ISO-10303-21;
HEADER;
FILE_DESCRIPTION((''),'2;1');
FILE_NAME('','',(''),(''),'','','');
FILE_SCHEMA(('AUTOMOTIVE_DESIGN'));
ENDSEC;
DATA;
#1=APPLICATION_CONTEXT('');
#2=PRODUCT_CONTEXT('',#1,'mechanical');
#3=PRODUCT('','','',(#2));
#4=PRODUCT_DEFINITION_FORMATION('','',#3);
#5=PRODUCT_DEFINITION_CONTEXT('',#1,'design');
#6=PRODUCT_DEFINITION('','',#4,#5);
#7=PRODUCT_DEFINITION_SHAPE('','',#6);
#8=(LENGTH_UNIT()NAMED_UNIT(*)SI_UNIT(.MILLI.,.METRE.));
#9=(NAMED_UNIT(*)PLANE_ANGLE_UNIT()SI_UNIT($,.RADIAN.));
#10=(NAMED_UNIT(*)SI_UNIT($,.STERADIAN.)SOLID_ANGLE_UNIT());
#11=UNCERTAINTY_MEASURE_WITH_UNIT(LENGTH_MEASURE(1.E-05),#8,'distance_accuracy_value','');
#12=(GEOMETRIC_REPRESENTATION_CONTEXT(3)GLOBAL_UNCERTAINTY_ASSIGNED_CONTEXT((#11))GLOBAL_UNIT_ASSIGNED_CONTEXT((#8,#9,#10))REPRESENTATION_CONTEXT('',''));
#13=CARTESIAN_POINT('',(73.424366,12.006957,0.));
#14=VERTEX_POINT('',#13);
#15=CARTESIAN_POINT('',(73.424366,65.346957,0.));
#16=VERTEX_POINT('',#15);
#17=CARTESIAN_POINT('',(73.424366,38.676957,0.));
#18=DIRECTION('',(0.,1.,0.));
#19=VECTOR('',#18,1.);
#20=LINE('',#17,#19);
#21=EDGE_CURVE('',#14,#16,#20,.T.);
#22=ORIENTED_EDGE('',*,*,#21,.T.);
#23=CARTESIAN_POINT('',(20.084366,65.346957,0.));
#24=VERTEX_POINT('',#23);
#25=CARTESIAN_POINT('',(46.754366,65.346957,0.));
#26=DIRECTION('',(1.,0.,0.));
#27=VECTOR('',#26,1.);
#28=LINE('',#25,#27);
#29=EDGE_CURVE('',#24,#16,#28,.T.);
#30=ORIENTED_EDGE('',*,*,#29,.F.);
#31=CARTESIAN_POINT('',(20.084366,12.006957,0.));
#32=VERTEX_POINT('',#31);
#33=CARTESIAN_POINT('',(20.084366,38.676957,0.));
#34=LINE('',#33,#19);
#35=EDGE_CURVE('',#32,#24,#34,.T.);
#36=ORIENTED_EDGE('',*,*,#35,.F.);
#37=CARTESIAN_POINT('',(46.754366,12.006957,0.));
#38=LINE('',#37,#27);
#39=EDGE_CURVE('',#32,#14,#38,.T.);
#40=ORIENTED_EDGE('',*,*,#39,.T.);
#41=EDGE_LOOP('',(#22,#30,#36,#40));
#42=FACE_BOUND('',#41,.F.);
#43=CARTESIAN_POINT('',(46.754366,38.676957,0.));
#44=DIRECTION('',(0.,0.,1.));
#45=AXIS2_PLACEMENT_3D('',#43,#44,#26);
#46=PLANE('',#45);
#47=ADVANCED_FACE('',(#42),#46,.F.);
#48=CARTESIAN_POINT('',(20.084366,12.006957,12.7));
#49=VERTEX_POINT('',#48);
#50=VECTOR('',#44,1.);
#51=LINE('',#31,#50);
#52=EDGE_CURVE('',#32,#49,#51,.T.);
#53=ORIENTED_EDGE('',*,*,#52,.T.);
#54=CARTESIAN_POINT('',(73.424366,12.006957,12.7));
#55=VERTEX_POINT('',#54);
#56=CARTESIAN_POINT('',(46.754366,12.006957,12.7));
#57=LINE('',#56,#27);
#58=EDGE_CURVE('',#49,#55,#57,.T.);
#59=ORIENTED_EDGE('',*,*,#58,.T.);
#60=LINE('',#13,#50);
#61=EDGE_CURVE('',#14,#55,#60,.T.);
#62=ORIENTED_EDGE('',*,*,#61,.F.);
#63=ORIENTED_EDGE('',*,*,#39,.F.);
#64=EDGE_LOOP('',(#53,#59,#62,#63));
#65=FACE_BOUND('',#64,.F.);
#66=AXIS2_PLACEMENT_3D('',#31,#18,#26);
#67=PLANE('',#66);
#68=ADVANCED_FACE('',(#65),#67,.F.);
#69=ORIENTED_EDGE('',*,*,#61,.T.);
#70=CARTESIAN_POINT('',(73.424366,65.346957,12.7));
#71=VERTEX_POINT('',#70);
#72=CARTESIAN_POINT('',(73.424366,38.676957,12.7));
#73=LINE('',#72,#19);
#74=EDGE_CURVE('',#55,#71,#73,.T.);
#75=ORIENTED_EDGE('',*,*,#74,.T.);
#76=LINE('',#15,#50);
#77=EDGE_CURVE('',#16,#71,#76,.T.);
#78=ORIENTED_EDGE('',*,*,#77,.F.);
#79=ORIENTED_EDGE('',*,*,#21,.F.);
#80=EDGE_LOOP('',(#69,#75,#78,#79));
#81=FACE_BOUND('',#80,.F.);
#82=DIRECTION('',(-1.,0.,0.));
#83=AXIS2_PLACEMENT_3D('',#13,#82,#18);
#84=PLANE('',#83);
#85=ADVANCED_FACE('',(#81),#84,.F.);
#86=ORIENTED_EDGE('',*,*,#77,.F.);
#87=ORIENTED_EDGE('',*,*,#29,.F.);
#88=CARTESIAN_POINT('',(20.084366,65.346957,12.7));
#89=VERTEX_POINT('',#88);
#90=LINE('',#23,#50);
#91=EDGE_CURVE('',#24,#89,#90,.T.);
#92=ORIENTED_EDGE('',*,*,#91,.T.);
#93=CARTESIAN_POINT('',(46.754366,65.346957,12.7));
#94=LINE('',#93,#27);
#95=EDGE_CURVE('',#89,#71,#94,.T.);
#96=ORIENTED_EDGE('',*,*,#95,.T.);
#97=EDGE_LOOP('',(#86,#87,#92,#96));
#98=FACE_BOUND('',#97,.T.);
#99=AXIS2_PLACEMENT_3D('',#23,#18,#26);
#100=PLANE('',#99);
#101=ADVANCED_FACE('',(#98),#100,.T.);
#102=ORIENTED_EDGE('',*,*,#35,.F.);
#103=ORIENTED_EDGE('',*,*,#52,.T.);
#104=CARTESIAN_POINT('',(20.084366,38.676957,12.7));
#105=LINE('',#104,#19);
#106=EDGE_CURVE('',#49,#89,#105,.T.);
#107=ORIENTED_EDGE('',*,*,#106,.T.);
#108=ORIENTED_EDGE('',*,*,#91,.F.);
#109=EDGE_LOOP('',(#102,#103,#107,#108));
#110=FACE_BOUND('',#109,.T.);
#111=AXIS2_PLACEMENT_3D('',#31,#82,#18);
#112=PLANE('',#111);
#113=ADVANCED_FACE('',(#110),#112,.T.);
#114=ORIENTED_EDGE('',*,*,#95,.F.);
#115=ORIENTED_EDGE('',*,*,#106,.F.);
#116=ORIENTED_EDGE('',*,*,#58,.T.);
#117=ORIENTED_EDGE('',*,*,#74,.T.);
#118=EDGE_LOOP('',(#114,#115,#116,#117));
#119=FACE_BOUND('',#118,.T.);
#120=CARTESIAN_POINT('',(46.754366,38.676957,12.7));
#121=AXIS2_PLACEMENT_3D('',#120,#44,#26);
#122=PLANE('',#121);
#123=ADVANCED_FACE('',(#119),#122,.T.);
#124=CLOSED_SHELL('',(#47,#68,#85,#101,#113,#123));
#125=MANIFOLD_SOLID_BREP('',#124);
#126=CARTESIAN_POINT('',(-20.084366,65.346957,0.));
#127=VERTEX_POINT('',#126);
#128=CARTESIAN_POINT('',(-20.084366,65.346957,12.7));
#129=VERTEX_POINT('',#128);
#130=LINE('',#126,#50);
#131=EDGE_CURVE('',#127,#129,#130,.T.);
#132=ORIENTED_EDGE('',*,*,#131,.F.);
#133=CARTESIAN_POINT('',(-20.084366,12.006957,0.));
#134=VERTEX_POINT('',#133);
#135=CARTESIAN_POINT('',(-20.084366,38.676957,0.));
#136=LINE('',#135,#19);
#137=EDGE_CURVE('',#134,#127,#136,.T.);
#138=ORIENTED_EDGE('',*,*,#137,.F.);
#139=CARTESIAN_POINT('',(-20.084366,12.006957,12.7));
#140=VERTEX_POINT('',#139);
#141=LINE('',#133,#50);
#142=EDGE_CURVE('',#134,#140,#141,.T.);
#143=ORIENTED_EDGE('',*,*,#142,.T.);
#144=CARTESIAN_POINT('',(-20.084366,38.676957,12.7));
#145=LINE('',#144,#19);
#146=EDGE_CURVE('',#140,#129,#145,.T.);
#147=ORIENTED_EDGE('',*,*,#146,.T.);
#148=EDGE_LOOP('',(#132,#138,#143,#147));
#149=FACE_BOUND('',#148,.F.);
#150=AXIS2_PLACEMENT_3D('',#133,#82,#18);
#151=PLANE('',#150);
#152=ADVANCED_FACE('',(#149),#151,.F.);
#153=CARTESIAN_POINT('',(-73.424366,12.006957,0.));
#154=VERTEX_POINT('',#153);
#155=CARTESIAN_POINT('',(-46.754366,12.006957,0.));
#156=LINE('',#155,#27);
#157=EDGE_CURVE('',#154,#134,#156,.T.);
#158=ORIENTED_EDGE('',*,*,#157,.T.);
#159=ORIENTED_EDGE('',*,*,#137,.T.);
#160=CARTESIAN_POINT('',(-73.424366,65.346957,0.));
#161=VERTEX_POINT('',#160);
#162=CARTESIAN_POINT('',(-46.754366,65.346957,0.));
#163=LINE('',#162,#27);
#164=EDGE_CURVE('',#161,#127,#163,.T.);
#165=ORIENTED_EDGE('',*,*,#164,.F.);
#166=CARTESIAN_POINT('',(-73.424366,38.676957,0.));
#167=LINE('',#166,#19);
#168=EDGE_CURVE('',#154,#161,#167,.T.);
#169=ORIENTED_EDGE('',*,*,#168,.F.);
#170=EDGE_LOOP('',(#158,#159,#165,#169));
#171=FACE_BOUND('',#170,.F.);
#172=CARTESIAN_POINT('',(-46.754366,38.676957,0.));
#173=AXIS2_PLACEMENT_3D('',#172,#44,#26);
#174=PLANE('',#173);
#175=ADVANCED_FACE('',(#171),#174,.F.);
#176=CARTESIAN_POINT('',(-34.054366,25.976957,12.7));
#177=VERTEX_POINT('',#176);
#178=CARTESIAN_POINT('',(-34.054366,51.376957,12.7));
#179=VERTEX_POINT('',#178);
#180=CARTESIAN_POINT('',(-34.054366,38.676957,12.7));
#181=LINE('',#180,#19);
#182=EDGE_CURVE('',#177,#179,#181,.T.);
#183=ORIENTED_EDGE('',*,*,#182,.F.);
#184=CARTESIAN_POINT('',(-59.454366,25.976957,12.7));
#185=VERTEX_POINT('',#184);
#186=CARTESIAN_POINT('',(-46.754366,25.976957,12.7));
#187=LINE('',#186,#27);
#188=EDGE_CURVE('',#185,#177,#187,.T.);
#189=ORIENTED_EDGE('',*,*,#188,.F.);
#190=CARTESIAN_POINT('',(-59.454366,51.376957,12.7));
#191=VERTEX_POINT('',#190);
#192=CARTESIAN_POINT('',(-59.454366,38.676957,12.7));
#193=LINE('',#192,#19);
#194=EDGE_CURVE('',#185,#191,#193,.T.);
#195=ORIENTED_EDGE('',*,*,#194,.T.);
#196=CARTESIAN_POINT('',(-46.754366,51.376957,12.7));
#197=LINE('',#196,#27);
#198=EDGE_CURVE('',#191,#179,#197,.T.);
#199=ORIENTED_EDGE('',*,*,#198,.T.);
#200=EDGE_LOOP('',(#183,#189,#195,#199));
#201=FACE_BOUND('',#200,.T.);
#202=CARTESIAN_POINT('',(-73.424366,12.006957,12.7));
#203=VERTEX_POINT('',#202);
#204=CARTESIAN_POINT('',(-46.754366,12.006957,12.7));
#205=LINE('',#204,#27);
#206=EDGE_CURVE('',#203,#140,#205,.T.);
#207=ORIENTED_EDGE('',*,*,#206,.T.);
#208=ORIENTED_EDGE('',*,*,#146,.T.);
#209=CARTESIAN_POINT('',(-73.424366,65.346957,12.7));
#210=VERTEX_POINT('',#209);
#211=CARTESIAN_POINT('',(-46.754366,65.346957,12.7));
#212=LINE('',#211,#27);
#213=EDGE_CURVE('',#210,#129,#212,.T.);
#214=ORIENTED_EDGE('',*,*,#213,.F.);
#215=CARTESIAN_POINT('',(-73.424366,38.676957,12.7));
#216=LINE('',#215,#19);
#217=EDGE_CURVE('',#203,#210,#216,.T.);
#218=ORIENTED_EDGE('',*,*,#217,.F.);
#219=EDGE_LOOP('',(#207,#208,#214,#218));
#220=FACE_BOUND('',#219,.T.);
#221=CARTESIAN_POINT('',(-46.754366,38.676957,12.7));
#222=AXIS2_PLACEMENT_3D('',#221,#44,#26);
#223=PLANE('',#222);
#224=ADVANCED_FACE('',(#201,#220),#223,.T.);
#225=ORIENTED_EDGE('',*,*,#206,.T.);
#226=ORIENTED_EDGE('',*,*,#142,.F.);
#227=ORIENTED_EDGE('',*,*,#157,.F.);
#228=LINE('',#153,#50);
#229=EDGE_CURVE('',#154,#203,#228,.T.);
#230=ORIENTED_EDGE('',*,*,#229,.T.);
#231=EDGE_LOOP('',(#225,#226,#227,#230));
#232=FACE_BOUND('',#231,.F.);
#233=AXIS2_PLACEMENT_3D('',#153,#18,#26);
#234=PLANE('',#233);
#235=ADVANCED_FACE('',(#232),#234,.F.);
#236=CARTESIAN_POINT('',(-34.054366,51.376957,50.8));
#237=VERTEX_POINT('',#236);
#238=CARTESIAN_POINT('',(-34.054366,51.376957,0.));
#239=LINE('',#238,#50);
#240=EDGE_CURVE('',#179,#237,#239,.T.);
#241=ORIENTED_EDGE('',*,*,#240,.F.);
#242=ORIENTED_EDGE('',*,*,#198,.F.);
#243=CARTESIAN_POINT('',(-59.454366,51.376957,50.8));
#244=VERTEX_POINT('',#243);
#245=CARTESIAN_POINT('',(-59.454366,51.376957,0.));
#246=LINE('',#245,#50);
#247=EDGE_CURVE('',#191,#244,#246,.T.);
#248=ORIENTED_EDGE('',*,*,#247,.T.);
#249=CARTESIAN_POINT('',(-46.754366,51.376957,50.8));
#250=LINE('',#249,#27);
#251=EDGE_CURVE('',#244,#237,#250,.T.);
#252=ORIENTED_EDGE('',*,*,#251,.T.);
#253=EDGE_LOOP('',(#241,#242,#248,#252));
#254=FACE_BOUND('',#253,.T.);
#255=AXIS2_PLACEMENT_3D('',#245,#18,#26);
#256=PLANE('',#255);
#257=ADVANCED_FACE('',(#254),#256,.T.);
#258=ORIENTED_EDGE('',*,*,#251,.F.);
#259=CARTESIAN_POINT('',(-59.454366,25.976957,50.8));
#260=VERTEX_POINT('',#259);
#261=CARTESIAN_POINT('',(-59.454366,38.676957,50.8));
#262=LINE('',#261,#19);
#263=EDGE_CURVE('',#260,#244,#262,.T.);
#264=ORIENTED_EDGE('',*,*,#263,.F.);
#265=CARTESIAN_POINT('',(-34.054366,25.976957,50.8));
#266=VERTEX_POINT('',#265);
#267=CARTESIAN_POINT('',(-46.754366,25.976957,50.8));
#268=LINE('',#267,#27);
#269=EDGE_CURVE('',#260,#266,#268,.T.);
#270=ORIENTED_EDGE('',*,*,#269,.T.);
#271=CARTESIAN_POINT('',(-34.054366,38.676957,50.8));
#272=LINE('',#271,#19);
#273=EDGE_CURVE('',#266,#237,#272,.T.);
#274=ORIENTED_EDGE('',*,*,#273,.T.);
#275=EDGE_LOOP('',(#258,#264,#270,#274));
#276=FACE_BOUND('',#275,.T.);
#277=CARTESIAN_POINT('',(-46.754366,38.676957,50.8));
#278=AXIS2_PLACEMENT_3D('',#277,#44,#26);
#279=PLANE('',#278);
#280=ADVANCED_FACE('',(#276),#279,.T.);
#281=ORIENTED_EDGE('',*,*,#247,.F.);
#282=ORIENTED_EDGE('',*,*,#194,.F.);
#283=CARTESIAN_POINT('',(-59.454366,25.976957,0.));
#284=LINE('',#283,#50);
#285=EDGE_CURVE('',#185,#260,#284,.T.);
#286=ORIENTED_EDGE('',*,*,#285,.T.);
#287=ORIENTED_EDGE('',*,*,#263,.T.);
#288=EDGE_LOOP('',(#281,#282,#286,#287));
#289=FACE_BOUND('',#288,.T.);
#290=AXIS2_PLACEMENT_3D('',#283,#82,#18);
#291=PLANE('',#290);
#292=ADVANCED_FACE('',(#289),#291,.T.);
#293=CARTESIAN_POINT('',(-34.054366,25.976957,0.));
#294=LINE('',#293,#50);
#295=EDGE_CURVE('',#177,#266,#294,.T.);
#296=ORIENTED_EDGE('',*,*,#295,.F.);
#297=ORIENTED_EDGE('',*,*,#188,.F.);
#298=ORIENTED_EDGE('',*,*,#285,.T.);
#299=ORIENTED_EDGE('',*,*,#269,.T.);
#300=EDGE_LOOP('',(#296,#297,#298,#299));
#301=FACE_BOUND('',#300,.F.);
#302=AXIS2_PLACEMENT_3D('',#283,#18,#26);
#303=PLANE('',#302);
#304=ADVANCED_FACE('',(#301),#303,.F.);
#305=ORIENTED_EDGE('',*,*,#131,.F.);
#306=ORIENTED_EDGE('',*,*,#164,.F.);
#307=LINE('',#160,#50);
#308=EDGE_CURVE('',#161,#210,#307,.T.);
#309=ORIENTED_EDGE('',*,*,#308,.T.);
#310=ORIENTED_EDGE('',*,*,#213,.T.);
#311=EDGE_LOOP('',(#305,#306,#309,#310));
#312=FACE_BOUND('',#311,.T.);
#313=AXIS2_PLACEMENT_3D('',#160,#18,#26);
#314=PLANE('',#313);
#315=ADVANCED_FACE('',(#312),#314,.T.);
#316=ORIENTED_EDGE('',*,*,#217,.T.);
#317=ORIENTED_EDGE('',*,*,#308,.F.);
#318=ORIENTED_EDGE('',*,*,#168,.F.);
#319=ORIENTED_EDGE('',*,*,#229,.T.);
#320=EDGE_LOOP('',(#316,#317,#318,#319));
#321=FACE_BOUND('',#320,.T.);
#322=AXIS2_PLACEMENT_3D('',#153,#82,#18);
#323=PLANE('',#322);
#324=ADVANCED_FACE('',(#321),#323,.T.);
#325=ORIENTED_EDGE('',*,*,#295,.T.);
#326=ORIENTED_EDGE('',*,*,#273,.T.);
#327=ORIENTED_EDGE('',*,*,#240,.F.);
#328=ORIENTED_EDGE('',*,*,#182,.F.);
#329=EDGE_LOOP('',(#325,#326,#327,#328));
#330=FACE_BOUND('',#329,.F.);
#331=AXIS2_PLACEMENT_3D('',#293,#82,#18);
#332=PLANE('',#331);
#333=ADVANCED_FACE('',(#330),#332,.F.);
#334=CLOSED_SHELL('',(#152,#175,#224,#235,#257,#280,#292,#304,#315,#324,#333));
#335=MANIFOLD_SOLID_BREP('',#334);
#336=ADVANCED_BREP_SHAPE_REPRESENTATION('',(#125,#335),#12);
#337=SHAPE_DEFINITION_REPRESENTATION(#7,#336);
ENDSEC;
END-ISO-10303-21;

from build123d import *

# Parameters (mm, degrees)
F0_W     = 53.34
F0_H     = 53.34
F0_W_2   = 25.4
F0_H_2   = 25.4
F1_DEPTH = 12.7
F2_DEPTH = 50.8


with BuildPart() as f1:
    # F0 (on Top) → F1 (new body)
    with BuildSketch(Plane.XY):
        with Locations((-46.754366, 38.676957)):
            Rectangle(F0_W, F0_H)
        with Locations((-46.754366, 38.676957)):
            Rectangle(F0_W_2, F0_H_2, mode=Mode.SUBTRACT)
        with Locations((46.754366, 38.676957)):
            Rectangle(F0_W, F0_H)
    extrude(amount=F1_DEPTH)

    # F0 (on Top) → F2 (join)
    with BuildSketch(Plane.XY):
        with Locations((-46.754366, 38.676957)):
            Rectangle(F0_W_2, F0_H_2)
    extrude(amount=F2_DEPTH)


solid = f1.part
